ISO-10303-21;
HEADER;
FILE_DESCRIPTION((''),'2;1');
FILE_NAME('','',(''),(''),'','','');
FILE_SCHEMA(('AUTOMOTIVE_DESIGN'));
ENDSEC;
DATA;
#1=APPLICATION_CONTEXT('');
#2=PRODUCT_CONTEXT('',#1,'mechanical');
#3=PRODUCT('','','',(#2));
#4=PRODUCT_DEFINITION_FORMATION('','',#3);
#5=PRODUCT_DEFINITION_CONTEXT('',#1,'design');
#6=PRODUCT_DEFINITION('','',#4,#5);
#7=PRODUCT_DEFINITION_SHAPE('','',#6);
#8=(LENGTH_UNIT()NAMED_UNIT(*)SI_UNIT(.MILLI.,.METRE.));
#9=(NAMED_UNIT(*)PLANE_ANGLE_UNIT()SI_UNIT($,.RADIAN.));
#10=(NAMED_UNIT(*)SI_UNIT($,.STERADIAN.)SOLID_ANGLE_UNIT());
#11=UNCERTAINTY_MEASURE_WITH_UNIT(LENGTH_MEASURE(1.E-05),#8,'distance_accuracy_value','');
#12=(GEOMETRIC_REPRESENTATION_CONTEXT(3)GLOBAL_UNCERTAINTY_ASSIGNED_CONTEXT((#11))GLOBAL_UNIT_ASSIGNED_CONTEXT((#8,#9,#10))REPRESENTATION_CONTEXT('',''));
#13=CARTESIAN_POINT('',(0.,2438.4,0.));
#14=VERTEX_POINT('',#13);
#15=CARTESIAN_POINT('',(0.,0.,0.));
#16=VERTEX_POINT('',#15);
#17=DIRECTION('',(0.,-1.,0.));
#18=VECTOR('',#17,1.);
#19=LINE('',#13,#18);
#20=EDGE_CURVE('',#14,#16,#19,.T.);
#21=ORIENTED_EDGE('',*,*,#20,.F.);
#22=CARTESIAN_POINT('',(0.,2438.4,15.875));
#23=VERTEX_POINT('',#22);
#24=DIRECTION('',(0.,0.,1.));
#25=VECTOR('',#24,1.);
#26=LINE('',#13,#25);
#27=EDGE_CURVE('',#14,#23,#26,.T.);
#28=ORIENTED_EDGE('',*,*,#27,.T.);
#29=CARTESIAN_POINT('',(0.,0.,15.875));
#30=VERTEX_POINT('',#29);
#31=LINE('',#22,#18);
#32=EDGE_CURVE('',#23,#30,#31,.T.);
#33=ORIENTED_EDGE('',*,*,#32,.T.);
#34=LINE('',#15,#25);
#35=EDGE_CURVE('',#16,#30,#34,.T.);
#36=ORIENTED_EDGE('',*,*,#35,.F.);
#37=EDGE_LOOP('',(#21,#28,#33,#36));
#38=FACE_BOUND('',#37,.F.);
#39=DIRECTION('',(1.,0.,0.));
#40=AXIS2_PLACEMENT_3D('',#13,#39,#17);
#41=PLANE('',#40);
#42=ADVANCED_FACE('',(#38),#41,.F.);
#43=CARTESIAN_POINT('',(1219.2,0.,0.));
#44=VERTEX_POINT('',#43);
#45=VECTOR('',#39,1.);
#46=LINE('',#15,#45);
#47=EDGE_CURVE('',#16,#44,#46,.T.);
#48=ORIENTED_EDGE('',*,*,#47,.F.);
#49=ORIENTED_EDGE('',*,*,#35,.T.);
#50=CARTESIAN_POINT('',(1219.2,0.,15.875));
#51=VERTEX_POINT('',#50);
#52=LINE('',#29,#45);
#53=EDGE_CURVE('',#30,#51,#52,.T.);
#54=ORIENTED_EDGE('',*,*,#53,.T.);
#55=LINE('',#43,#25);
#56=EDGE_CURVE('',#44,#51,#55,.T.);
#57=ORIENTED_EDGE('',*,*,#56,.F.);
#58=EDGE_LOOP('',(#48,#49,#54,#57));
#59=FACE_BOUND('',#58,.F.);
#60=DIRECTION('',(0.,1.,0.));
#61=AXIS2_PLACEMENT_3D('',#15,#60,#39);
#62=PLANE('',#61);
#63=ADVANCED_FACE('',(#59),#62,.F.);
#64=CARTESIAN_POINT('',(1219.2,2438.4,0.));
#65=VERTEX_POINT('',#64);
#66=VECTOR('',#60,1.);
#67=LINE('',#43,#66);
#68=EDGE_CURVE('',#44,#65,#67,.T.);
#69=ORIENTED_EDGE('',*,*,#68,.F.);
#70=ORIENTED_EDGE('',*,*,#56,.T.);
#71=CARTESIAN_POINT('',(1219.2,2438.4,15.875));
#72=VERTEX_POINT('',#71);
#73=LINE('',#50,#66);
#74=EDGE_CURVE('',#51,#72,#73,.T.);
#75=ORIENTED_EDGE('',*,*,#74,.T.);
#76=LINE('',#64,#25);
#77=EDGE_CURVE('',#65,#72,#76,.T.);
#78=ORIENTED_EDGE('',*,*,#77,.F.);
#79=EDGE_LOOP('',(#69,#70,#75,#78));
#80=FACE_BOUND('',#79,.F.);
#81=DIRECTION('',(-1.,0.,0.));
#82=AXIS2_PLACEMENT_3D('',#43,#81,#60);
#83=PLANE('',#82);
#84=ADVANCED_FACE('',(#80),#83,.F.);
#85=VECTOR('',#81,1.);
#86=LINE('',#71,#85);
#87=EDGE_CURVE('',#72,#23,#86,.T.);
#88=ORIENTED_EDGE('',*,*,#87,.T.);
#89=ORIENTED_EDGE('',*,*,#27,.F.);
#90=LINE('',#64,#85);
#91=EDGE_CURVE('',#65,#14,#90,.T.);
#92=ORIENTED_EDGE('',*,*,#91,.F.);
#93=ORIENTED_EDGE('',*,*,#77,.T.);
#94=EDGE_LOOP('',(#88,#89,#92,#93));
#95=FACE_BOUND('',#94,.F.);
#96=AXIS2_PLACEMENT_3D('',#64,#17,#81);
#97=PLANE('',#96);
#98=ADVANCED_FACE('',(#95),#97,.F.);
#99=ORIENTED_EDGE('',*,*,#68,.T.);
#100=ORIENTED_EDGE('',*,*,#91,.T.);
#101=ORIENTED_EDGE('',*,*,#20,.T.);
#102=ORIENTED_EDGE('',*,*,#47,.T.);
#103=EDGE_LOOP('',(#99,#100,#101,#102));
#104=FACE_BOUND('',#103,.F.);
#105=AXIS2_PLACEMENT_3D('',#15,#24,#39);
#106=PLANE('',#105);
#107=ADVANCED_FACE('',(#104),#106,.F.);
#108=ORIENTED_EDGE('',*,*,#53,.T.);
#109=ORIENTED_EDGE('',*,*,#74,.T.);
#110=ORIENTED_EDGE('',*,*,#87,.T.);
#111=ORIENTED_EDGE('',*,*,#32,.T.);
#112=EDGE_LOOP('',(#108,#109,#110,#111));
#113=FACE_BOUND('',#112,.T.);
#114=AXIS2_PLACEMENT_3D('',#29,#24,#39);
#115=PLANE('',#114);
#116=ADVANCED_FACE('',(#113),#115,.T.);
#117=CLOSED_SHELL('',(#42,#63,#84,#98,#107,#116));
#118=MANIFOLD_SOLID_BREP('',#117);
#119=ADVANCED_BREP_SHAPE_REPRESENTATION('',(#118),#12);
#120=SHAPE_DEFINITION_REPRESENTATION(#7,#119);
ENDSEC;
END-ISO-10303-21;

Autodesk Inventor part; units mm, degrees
ref_plane "YZ Plane" through (0, 0, 0) normal (1, 0, 0) x (0, 1, 0)
ref_plane "XZ Plane" through (0, 0, 0) normal (0, 1, 0) x (-1, 0, 0)
ref_plane "XY Plane" through (0, 0, 0) normal (0, 0, 1) x (1, 0, 0)
sketch "Sketch1" plane through (0, 0, 0) normal (0, 0, 1) x (1, 0, 0)
  line L0 (0, 0) -> (1219.2, 0)
  line L1 (1219.2, 0) -> (1219.2, 2438.4)
  line L2 (1219.2, 2438.4) -> (0, 2438.4)
  line L3 (0, 2438.4) -> (0, 0)
  dimension "d2" = 2438.4
  dimension "d3" = 1219.2
extrude "Extrusion1" add sketch "Sketch1" along normal blind 15.875
properties part number "DensGlass_With_Dimensions_48_x_96_Inches" material "Wood (Birch)"
